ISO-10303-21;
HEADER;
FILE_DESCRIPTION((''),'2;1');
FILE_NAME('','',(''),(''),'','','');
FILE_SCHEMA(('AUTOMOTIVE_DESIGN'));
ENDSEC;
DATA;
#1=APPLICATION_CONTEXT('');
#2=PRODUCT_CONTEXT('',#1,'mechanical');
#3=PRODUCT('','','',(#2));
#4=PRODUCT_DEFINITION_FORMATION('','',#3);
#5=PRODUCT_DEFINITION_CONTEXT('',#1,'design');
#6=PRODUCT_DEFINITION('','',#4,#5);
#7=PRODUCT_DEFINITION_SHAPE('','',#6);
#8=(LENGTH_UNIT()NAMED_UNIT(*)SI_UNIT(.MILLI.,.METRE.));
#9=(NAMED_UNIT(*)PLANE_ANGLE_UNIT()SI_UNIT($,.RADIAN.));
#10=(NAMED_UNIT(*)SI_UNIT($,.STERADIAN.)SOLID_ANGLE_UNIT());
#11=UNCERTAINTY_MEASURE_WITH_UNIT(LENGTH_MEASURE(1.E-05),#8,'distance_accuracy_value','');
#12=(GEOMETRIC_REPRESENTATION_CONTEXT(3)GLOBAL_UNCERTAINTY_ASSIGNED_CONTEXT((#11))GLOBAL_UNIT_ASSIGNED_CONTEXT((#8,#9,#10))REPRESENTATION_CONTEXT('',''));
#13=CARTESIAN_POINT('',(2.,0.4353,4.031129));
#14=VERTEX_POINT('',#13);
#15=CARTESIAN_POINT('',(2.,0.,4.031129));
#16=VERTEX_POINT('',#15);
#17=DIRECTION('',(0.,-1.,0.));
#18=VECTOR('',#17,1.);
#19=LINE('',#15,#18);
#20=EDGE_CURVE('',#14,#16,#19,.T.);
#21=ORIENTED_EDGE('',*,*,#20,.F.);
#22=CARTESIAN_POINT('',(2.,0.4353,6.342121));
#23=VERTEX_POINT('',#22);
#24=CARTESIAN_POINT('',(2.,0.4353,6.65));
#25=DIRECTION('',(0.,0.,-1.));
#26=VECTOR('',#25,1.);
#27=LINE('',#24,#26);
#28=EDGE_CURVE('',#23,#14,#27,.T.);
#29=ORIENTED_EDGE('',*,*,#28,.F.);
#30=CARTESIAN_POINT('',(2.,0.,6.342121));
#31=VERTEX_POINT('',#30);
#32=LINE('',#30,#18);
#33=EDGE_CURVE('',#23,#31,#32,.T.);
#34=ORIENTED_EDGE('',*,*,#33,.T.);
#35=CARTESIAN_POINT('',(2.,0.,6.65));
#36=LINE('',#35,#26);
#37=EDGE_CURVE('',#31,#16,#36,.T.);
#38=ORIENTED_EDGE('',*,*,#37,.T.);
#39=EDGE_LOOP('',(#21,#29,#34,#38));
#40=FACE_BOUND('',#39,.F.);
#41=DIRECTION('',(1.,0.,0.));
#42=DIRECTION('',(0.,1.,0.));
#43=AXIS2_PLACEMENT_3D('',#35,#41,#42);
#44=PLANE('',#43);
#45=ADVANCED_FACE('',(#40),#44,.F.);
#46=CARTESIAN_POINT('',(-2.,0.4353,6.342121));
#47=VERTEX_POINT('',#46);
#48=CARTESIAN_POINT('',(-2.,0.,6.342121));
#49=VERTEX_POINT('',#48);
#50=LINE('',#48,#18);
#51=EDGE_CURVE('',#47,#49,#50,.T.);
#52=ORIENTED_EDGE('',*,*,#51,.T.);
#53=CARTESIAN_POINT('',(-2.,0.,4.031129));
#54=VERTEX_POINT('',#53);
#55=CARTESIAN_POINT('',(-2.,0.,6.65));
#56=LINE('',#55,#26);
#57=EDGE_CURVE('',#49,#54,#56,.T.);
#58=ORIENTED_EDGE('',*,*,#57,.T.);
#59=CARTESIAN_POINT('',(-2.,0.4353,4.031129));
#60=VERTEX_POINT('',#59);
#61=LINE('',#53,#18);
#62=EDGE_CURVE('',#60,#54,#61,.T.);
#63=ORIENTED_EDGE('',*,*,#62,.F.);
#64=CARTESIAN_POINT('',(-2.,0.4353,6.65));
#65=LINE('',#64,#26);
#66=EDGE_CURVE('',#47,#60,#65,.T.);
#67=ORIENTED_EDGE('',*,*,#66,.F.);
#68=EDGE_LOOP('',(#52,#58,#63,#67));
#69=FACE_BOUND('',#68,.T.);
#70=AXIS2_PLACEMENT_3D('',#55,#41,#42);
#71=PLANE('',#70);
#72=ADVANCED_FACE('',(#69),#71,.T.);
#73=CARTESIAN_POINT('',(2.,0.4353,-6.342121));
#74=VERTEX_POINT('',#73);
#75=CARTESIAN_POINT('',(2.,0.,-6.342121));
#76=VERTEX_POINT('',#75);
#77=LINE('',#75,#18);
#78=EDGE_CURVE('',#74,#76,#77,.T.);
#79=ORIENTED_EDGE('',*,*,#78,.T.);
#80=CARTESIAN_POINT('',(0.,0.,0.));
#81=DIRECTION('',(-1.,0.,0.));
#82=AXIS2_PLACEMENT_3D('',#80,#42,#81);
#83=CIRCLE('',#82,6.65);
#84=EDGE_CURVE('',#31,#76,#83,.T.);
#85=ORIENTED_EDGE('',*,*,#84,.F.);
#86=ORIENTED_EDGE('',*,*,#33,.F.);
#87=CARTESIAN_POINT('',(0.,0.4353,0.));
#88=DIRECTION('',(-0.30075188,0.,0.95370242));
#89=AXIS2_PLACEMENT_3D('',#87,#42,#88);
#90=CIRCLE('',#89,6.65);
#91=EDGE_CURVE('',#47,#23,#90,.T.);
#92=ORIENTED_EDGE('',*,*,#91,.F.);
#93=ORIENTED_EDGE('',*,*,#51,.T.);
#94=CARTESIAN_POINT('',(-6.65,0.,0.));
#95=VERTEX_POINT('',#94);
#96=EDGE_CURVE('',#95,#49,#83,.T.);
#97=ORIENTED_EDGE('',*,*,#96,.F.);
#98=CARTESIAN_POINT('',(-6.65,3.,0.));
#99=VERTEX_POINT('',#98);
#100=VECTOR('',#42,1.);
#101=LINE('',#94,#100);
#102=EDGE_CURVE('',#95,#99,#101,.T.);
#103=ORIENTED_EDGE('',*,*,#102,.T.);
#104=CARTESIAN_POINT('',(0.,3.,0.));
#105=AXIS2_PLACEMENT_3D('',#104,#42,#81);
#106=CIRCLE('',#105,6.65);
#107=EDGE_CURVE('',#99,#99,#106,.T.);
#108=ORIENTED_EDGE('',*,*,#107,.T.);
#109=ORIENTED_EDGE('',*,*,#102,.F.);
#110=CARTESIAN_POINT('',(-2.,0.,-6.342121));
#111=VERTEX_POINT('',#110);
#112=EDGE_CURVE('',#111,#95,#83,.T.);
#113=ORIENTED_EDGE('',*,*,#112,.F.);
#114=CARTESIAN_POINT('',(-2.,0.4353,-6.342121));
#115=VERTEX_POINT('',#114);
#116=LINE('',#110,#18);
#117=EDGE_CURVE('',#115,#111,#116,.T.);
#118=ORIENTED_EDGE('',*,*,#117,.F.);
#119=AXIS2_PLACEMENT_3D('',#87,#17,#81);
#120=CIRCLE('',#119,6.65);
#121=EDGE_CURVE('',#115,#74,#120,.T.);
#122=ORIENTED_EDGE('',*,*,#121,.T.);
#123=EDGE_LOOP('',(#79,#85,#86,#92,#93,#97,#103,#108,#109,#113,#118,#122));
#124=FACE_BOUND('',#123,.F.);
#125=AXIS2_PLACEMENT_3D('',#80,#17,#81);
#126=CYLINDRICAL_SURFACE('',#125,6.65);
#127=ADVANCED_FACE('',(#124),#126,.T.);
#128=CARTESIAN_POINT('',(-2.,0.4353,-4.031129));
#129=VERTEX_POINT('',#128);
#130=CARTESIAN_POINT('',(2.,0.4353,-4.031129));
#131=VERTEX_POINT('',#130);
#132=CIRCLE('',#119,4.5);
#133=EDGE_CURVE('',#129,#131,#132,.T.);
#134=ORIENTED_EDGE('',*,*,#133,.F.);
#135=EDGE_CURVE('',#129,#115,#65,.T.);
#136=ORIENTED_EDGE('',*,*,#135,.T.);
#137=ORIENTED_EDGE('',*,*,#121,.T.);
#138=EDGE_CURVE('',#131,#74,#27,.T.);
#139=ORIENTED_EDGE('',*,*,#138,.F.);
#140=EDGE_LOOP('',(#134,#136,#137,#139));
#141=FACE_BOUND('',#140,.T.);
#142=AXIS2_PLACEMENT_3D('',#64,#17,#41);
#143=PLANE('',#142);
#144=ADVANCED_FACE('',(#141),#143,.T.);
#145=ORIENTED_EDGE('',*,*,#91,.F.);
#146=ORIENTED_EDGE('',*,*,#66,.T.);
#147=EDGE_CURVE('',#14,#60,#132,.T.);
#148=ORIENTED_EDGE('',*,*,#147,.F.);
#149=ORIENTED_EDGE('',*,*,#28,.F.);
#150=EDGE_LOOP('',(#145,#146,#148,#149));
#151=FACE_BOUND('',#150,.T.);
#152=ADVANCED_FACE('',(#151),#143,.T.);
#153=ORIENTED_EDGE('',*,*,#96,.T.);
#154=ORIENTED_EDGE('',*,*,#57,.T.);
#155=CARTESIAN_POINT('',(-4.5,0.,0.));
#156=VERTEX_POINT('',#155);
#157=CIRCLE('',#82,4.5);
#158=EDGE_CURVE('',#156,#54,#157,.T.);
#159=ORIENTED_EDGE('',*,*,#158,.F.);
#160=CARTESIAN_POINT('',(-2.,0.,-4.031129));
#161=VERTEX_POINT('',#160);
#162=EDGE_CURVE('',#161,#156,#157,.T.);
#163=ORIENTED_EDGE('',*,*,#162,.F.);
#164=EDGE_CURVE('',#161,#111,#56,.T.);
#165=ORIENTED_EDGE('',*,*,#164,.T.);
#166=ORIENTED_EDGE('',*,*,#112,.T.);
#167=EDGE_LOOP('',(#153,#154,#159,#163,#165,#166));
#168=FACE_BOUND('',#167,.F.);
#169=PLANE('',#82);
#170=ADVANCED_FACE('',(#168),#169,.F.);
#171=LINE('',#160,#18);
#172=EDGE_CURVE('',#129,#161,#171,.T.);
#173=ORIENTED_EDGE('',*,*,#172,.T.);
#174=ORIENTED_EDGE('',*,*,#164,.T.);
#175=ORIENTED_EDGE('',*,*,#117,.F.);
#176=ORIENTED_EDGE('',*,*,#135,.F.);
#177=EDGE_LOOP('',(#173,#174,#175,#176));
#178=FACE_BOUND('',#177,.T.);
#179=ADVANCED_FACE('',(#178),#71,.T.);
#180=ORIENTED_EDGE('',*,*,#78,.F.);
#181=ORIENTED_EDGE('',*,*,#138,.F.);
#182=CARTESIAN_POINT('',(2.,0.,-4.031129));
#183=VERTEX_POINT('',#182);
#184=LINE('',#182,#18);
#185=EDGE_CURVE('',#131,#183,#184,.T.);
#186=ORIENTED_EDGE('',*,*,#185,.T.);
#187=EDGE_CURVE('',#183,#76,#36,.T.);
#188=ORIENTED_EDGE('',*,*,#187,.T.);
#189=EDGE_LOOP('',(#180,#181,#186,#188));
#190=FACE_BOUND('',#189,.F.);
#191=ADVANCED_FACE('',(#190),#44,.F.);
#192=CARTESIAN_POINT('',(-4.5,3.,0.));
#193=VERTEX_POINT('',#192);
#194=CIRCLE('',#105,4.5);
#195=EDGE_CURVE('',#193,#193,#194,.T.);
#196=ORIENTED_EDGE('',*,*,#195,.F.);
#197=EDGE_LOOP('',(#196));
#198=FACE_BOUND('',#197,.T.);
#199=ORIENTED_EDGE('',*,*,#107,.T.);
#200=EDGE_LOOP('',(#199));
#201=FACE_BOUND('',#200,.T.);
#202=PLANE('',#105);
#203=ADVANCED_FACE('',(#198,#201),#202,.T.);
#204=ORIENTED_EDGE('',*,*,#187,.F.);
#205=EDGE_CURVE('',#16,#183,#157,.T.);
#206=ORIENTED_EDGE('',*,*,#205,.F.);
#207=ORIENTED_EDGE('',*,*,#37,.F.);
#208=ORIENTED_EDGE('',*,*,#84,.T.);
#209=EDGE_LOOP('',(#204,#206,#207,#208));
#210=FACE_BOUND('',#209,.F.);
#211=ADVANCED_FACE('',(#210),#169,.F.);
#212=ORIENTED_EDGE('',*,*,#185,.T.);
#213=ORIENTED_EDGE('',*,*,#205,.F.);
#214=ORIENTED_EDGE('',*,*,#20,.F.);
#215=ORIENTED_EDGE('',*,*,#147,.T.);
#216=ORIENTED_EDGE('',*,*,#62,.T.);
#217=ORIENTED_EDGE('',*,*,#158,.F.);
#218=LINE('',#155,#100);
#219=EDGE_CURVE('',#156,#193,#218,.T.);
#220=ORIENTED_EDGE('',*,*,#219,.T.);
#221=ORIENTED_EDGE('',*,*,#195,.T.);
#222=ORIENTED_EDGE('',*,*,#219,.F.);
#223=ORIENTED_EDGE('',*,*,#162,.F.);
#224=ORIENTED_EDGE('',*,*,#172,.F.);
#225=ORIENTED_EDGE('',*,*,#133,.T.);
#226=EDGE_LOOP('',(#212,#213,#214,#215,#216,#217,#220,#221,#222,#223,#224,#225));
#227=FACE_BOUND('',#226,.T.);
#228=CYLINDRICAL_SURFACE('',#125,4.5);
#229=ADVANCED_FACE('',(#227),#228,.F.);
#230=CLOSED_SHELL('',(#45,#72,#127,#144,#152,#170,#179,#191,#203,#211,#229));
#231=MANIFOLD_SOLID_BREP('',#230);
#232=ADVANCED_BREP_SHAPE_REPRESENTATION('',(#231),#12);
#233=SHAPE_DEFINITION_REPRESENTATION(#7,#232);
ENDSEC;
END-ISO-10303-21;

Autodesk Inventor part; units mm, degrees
ref_plane "YZ Plane" through (0, 0, 0) normal (1, 0, 0) x (0, 1, 0)
ref_plane "XZ Plane" through (0, 0, 0) normal (0, 1, 0) x (-1, 0, 0)
sketch "Sketch1" plane through (0, 0, 0) normal (0, 1, 0) x (-1, 0, 0)
  circle A0 centre (0, 0) radius 6.65
  circle A1 centre (0, 0) radius 4.5
  dimension "d0" = 13.3
  dimension "d1" = 9
extrude "Extrusion1" add sketch "Sketch1" along normal blind 3
sketch "Sketch5" plane through (0, 0, 0) normal (0, -1, 0) x (1, 0, 0)
  point P0 (0, 0)
thread "Thread2" size "M14x0.5" class "6g" standard "ISO Metric profile" full length
ref_plane "Work Plane1" through (0, 0, 6.65) normal (0, 0, 1) x (1, 0, 0)
sketch "Sketch6" plane through (0, 0, 6.65) normal (0, 0, 1) x (1, 0, 0)
  point P0 (0, 0)
sketch "Sketch7" plane through (0, 0, 6.65) normal (0, 0, 1) x (1, 0, 0)
  line L0 (0, 0) -> (-2, 0)
  line L1 (-2, 0) -> (-2, 0.4353)
  line L2 (-2, 0.4353) -> (0, 0.4353)
  line L3 (0, 0.4353) -> (0, 0)
  line L4 (0, 0) -> (2, 0)
  line L5 (2, 0) -> (2, 0.4353)
  line L6 (2, 0.4353) -> (0, 0.4353)
  line L7 (0, 0.4353) -> (0, 0)
  dimension "d27" = 2
  dimension "d28" = 2
extrude "Extrusion2" cut sketch "Sketch7" against normal through all
equation "\"d13\" = 60deg"
equation "\"Sketch2_Pitch\" = 0.5"
properties part number "screw"
